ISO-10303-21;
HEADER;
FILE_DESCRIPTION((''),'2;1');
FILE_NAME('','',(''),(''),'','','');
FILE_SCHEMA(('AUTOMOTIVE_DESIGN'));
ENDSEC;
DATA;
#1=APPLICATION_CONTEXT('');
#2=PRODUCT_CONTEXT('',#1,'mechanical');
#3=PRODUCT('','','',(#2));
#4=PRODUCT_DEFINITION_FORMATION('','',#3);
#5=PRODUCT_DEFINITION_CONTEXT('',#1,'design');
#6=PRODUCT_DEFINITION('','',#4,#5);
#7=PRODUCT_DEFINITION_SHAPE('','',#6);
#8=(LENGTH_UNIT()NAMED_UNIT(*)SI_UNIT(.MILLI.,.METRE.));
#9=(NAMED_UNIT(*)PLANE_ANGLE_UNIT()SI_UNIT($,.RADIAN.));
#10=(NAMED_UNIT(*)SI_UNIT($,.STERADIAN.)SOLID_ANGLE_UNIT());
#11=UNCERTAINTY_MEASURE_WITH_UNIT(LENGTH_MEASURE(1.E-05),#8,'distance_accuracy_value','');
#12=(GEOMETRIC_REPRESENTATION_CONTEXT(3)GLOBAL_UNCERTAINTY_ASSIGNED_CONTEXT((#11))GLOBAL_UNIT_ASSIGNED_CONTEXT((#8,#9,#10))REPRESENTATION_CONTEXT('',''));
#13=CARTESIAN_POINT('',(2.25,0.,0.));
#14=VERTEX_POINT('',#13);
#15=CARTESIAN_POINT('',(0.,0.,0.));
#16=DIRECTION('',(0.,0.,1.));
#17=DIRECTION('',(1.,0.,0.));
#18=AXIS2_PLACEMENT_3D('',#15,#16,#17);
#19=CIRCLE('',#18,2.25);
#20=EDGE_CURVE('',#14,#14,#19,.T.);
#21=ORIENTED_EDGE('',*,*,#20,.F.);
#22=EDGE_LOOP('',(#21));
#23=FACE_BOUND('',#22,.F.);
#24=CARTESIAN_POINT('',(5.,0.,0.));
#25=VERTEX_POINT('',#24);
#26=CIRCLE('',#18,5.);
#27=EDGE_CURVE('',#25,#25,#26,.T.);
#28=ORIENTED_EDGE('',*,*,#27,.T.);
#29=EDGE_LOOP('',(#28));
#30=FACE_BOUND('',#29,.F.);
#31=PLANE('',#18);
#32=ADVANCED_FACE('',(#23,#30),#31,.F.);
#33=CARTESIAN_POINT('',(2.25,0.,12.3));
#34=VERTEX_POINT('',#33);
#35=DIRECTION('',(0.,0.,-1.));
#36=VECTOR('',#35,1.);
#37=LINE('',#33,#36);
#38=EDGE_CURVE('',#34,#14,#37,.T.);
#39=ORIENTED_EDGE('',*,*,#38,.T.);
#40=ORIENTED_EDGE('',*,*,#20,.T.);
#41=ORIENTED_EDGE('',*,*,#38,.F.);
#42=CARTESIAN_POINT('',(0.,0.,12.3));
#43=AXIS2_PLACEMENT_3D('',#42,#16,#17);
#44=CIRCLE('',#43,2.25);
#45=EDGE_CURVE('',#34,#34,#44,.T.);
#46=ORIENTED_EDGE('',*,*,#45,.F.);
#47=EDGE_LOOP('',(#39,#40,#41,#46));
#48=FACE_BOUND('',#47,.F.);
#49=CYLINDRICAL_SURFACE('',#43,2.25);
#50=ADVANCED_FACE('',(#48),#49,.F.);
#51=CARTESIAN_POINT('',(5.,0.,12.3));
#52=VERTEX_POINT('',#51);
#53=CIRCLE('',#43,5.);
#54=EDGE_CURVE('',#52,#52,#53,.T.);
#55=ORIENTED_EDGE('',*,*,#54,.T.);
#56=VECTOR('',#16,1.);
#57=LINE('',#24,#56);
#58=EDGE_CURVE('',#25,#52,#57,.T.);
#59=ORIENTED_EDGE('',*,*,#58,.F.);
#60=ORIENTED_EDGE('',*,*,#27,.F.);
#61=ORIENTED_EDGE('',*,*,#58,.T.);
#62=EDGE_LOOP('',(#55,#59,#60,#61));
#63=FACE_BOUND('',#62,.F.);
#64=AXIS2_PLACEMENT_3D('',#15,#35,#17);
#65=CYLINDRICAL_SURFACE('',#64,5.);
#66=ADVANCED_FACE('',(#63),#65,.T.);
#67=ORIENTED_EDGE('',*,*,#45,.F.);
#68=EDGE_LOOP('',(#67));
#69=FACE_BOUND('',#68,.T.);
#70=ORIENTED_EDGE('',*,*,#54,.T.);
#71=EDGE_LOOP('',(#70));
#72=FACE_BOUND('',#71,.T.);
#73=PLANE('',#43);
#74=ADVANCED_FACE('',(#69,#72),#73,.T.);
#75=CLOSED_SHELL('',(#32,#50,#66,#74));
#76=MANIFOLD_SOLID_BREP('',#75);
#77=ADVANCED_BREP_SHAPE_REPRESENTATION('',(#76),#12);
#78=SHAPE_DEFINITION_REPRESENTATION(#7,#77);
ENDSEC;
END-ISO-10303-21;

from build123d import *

# Parameters (mm, degrees)
SKETCH_R     = 5
PAD_DEPTH    = 12.3
SKETCH001_R  = 2.25
POCKET_DEPTH = 12.301


with BuildPart() as part:
    # Sketch → Pad (new body)
    with BuildSketch(Plane.XY):
        Circle(SKETCH_R)
    extrude(amount=PAD_DEPTH)

    # Sketch001 → Pocket (cut, through all)
    with BuildSketch(Plane.XY.offset(12.3)):
        Circle(SKETCH001_R)
    extrude(amount=-POCKET_DEPTH, mode=Mode.SUBTRACT)


solid = part.part
